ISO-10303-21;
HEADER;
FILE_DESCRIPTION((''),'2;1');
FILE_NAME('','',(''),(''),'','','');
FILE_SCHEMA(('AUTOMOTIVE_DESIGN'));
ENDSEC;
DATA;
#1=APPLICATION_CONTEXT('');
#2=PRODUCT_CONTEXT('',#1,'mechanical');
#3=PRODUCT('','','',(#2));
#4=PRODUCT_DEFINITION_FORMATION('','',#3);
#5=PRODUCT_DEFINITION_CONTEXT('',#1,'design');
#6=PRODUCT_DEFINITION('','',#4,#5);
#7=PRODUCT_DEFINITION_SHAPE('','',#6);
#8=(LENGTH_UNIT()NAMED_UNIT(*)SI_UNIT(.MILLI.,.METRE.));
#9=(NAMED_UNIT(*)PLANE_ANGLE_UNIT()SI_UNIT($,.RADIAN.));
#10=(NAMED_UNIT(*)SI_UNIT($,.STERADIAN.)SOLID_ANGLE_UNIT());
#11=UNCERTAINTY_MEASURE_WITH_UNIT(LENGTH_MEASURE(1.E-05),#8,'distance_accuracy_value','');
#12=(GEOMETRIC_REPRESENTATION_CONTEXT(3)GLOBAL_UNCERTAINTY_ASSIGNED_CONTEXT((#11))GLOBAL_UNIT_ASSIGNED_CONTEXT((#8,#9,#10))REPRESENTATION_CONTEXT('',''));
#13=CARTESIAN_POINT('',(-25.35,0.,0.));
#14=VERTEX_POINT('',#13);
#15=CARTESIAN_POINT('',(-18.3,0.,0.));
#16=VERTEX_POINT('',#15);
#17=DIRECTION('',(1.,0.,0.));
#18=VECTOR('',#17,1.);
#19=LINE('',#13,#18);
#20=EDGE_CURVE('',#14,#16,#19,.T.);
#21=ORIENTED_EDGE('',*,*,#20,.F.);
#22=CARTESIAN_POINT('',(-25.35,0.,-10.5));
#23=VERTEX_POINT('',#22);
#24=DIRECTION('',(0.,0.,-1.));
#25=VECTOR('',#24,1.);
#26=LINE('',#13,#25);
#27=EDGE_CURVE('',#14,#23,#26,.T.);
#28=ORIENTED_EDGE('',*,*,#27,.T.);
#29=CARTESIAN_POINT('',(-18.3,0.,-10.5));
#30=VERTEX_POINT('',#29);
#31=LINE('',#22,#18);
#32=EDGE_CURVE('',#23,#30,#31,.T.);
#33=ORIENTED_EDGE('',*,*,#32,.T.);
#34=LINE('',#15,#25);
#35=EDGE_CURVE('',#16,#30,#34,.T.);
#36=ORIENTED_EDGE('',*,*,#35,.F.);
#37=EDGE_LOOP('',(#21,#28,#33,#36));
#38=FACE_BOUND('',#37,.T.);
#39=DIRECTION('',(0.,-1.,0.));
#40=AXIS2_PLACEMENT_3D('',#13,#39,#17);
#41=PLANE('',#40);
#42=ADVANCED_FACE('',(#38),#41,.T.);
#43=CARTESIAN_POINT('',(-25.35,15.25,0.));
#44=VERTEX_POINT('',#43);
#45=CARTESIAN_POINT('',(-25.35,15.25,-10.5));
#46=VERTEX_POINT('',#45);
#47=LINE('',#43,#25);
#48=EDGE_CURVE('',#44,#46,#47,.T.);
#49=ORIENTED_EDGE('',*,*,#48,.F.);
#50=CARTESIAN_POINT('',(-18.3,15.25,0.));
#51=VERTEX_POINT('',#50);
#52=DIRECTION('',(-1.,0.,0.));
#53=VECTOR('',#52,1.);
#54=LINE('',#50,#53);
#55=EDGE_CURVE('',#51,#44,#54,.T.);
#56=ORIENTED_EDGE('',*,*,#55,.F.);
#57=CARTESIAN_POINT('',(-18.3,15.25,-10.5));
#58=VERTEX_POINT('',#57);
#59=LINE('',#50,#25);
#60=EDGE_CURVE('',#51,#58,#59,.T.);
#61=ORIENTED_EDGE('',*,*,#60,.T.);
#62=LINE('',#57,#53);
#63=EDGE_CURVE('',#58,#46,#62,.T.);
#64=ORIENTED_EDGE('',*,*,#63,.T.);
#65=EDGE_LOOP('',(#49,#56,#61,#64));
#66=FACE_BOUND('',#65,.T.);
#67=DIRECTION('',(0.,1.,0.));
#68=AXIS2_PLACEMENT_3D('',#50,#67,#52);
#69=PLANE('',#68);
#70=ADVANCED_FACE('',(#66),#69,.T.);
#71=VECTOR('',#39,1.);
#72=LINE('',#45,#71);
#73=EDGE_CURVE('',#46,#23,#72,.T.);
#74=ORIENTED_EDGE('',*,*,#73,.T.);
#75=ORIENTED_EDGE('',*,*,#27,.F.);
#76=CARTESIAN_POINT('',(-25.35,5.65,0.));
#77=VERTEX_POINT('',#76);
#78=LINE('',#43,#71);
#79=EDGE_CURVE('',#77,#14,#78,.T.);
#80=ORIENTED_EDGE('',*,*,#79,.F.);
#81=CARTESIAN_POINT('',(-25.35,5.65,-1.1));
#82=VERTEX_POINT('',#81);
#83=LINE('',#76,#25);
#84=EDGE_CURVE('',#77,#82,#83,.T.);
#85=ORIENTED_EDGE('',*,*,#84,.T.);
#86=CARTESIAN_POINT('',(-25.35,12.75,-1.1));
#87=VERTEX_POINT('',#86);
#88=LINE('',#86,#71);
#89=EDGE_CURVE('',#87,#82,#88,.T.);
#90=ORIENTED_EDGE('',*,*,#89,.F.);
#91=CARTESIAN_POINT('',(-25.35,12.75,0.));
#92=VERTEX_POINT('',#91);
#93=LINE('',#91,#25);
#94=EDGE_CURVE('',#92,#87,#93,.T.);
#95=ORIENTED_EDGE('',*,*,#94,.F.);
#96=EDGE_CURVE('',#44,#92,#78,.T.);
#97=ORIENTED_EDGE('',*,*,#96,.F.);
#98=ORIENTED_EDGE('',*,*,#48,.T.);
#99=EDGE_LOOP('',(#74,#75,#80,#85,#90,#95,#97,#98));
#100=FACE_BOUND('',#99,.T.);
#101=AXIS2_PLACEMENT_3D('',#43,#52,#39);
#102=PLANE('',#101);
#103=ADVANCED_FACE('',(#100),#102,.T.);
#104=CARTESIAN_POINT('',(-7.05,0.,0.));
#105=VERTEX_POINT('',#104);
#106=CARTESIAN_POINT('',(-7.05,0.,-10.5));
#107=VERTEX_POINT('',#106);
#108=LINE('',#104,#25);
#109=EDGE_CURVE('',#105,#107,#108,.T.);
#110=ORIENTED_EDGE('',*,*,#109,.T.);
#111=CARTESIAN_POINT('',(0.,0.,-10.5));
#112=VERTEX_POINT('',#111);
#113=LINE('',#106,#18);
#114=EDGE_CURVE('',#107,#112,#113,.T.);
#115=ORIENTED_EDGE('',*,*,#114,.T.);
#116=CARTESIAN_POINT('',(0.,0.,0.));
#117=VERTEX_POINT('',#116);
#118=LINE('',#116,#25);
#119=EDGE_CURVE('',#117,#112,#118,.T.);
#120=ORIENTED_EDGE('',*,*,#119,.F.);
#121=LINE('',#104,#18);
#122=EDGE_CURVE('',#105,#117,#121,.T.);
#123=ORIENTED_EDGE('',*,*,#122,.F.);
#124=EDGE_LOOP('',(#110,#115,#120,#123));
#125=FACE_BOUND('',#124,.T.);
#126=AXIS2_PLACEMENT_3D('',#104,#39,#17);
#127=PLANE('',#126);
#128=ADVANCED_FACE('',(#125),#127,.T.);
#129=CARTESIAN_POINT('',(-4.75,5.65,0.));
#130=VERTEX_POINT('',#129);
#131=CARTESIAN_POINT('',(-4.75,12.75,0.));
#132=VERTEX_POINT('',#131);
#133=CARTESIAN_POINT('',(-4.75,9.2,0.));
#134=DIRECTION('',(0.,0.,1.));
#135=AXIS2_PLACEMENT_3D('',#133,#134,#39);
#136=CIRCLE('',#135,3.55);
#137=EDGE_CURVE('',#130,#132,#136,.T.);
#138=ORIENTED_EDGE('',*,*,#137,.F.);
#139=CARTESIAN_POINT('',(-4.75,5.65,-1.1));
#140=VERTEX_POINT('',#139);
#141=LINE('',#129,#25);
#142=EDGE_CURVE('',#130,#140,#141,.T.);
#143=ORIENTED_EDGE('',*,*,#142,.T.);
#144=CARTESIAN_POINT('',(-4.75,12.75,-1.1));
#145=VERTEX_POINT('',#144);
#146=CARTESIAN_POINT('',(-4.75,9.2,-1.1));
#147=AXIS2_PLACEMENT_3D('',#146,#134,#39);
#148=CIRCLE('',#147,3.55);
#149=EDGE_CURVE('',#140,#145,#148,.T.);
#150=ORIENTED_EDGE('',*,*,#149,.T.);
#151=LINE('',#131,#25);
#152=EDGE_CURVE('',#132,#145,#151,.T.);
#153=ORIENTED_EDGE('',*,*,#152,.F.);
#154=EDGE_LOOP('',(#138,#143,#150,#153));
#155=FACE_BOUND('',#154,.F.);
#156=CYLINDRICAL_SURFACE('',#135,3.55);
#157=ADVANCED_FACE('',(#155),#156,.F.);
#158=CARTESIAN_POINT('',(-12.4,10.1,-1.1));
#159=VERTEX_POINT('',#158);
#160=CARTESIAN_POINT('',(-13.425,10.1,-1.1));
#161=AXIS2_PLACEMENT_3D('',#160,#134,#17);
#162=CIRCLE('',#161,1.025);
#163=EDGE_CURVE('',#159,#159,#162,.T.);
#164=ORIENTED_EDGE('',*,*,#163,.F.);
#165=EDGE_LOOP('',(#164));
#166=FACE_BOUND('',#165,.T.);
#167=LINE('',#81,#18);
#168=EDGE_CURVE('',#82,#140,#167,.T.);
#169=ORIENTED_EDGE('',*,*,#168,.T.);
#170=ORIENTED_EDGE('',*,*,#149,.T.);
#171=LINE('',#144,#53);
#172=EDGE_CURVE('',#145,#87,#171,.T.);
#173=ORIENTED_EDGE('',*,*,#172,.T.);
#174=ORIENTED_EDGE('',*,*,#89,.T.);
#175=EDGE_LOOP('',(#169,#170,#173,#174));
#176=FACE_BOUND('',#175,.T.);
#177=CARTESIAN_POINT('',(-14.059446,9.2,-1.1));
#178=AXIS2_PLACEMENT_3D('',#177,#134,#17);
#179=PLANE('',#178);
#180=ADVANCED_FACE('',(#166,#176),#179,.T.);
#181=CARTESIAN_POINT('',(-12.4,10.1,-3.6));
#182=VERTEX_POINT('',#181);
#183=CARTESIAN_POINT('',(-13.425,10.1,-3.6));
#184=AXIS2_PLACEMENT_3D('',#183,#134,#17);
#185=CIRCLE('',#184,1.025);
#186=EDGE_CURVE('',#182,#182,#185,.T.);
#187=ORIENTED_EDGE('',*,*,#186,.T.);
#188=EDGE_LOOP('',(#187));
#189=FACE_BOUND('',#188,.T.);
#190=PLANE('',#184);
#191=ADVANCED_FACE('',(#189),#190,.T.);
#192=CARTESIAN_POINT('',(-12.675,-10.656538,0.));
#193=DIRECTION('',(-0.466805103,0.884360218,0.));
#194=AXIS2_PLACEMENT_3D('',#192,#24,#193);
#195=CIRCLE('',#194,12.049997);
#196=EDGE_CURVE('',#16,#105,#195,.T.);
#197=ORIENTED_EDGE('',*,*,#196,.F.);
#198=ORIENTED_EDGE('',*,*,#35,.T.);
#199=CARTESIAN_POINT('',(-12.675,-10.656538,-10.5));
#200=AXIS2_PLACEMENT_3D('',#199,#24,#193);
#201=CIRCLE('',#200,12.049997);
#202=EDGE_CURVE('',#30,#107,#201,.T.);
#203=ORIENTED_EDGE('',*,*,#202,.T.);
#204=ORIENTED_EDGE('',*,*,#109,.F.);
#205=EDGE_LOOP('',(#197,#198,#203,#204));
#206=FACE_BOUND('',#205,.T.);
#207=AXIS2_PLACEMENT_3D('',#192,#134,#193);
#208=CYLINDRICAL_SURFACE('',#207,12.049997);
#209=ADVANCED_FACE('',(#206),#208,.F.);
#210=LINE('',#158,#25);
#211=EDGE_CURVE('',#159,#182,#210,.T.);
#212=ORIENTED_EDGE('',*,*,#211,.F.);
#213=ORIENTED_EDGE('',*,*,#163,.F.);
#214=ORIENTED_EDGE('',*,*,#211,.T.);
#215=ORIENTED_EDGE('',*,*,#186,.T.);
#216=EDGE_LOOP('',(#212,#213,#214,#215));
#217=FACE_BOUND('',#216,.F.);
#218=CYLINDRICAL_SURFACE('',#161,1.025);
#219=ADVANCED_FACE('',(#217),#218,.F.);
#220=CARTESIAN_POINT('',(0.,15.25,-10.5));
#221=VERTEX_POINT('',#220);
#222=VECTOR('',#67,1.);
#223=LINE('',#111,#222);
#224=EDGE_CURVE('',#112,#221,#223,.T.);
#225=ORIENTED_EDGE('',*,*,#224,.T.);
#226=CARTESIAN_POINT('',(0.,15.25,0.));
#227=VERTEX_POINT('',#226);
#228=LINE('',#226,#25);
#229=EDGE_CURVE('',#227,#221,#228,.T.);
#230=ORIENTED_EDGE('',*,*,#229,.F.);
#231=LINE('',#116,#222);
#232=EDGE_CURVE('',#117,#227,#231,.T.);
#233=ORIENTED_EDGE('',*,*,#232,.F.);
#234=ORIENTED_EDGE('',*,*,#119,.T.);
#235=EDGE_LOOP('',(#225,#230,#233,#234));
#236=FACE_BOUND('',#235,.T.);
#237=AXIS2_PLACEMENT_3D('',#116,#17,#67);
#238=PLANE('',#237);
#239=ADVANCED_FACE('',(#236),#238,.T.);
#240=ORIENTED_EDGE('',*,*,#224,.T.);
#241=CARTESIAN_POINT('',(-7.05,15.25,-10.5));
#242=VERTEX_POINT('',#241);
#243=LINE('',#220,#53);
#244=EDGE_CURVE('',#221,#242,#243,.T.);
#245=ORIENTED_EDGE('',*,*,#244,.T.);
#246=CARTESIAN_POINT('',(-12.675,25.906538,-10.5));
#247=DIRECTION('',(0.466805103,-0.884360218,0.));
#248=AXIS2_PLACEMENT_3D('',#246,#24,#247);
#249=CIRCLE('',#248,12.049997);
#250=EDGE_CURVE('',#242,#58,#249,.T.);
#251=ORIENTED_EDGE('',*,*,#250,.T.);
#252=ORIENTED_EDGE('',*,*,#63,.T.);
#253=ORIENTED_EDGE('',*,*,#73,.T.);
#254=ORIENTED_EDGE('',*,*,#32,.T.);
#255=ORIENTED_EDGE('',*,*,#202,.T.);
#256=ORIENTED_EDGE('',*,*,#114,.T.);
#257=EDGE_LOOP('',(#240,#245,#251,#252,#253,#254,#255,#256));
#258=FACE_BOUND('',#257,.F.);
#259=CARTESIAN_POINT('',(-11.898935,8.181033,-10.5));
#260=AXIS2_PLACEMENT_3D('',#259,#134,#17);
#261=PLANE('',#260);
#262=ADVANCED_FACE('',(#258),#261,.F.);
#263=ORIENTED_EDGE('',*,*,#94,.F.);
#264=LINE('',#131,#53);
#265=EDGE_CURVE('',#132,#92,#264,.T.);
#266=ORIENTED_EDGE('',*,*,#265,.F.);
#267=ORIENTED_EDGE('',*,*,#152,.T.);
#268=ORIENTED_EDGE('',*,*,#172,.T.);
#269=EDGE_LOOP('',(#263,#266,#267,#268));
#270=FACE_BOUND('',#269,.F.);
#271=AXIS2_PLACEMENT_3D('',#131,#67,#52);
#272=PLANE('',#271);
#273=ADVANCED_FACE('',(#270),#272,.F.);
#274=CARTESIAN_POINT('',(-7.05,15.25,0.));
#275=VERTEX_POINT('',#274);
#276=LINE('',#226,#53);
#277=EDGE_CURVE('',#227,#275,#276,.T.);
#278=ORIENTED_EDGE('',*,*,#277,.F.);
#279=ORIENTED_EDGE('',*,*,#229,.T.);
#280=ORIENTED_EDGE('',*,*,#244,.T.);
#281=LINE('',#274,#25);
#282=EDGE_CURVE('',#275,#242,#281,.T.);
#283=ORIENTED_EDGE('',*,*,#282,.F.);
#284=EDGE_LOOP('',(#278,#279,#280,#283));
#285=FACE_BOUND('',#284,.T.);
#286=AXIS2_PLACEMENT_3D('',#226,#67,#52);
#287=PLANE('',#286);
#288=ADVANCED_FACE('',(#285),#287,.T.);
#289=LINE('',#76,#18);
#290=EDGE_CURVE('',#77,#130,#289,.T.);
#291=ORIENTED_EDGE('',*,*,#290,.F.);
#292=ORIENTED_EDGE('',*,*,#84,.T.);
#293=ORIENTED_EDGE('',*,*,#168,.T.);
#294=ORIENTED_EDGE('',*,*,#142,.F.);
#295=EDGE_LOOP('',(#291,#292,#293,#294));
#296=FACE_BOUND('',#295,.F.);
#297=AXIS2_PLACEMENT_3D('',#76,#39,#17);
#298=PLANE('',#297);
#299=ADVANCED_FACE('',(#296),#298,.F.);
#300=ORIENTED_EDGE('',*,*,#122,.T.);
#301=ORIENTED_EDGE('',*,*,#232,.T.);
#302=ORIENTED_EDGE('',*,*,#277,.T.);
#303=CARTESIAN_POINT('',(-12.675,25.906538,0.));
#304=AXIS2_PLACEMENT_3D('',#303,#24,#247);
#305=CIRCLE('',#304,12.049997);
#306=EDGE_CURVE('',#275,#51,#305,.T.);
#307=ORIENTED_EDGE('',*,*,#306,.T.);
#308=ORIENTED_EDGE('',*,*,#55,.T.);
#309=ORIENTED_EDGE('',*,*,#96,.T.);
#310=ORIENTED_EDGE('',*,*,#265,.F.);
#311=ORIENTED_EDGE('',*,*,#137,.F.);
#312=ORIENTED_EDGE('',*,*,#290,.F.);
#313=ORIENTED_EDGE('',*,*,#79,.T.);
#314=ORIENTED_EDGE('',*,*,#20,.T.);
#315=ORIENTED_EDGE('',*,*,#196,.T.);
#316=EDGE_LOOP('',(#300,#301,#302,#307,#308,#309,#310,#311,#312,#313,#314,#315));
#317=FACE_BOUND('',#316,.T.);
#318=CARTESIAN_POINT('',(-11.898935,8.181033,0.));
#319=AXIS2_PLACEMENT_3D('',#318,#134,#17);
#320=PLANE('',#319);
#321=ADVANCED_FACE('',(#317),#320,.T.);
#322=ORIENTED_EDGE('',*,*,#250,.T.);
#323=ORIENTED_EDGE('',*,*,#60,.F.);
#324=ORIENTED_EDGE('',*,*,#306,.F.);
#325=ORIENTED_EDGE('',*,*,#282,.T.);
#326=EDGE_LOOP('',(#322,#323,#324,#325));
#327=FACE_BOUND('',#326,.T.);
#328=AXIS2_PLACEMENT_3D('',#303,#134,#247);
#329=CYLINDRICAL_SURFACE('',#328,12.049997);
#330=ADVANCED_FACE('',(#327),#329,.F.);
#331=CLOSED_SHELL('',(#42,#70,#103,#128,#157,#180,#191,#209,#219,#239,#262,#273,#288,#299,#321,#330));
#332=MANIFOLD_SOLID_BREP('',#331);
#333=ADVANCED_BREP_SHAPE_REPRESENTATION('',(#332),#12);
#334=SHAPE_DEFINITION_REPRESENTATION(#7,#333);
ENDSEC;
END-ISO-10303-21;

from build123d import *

# Parameters (mm, degrees)
F1_DEPTH = 10.5
F2_DEPTH = 1.1
F3_R     = 1.025
F4_DEPTH = 2.5


with BuildPart() as f1:
    # F0 (on Top) → F1 (new body)
    with BuildSketch(Plane.XY):
        with BuildLine():
            Line((-7.05, 0), (0, 0))
            Line((0, 0), (0, 15.25))
            Line((0, 15.25), (-7.05, 15.25))
            ThreePointArc((-7.05, 15.25), (-12.675, 13.856541), (-18.3, 15.25))
            Line((-18.3, 15.25), (-25.35, 15.25))
            Line((-25.35, 15.25), (-25.35, 12.75))
            Line((-25.35, 12.75), (-4.75, 12.75))
            ThreePointArc((-4.75, 12.75), (-1.2, 9.2), (-4.75, 5.65))
            Line((-4.75, 5.65), (-25.35, 5.65))
            Line((-25.35, 5.65), (-25.35, 0))
            Line((-25.35, 0), (-18.3, 0))
            ThreePointArc((-18.3, 0), (-12.675, 1.393459), (-7.05, 0))
        make_face()
        with BuildLine():
            Line((-25.35, 12.75), (-25.35, 5.65))
            Line((-25.35, 5.65), (-4.75, 5.65))
            ThreePointArc((-4.75, 5.65), (-1.2, 9.2), (-4.75, 12.75))
            Line((-4.75, 12.75), (-25.35, 12.75))
        make_face()
    extrude(amount=-F1_DEPTH)

    # F0 (on Top) → F2 (cut)
    with BuildSketch(Plane.XY):
        with BuildLine():
            Line((-25.35, 12.75), (-25.35, 5.65))
            Line((-25.35, 5.65), (-4.75, 5.65))
            ThreePointArc((-4.75, 5.65), (-1.2, 9.2), (-4.75, 12.75))
            Line((-4.75, 12.75), (-25.35, 12.75))
        make_face()
    extrude(amount=-F2_DEPTH, mode=Mode.SUBTRACT)

    # F3 (on face) → F4 (cut)
    with BuildSketch(Plane.XY.offset(-1.1)):
        with Locations((-13.425, 10.1)):
            Circle(F3_R)
    extrude(amount=-F4_DEPTH, mode=Mode.SUBTRACT)


solid = f1.part
